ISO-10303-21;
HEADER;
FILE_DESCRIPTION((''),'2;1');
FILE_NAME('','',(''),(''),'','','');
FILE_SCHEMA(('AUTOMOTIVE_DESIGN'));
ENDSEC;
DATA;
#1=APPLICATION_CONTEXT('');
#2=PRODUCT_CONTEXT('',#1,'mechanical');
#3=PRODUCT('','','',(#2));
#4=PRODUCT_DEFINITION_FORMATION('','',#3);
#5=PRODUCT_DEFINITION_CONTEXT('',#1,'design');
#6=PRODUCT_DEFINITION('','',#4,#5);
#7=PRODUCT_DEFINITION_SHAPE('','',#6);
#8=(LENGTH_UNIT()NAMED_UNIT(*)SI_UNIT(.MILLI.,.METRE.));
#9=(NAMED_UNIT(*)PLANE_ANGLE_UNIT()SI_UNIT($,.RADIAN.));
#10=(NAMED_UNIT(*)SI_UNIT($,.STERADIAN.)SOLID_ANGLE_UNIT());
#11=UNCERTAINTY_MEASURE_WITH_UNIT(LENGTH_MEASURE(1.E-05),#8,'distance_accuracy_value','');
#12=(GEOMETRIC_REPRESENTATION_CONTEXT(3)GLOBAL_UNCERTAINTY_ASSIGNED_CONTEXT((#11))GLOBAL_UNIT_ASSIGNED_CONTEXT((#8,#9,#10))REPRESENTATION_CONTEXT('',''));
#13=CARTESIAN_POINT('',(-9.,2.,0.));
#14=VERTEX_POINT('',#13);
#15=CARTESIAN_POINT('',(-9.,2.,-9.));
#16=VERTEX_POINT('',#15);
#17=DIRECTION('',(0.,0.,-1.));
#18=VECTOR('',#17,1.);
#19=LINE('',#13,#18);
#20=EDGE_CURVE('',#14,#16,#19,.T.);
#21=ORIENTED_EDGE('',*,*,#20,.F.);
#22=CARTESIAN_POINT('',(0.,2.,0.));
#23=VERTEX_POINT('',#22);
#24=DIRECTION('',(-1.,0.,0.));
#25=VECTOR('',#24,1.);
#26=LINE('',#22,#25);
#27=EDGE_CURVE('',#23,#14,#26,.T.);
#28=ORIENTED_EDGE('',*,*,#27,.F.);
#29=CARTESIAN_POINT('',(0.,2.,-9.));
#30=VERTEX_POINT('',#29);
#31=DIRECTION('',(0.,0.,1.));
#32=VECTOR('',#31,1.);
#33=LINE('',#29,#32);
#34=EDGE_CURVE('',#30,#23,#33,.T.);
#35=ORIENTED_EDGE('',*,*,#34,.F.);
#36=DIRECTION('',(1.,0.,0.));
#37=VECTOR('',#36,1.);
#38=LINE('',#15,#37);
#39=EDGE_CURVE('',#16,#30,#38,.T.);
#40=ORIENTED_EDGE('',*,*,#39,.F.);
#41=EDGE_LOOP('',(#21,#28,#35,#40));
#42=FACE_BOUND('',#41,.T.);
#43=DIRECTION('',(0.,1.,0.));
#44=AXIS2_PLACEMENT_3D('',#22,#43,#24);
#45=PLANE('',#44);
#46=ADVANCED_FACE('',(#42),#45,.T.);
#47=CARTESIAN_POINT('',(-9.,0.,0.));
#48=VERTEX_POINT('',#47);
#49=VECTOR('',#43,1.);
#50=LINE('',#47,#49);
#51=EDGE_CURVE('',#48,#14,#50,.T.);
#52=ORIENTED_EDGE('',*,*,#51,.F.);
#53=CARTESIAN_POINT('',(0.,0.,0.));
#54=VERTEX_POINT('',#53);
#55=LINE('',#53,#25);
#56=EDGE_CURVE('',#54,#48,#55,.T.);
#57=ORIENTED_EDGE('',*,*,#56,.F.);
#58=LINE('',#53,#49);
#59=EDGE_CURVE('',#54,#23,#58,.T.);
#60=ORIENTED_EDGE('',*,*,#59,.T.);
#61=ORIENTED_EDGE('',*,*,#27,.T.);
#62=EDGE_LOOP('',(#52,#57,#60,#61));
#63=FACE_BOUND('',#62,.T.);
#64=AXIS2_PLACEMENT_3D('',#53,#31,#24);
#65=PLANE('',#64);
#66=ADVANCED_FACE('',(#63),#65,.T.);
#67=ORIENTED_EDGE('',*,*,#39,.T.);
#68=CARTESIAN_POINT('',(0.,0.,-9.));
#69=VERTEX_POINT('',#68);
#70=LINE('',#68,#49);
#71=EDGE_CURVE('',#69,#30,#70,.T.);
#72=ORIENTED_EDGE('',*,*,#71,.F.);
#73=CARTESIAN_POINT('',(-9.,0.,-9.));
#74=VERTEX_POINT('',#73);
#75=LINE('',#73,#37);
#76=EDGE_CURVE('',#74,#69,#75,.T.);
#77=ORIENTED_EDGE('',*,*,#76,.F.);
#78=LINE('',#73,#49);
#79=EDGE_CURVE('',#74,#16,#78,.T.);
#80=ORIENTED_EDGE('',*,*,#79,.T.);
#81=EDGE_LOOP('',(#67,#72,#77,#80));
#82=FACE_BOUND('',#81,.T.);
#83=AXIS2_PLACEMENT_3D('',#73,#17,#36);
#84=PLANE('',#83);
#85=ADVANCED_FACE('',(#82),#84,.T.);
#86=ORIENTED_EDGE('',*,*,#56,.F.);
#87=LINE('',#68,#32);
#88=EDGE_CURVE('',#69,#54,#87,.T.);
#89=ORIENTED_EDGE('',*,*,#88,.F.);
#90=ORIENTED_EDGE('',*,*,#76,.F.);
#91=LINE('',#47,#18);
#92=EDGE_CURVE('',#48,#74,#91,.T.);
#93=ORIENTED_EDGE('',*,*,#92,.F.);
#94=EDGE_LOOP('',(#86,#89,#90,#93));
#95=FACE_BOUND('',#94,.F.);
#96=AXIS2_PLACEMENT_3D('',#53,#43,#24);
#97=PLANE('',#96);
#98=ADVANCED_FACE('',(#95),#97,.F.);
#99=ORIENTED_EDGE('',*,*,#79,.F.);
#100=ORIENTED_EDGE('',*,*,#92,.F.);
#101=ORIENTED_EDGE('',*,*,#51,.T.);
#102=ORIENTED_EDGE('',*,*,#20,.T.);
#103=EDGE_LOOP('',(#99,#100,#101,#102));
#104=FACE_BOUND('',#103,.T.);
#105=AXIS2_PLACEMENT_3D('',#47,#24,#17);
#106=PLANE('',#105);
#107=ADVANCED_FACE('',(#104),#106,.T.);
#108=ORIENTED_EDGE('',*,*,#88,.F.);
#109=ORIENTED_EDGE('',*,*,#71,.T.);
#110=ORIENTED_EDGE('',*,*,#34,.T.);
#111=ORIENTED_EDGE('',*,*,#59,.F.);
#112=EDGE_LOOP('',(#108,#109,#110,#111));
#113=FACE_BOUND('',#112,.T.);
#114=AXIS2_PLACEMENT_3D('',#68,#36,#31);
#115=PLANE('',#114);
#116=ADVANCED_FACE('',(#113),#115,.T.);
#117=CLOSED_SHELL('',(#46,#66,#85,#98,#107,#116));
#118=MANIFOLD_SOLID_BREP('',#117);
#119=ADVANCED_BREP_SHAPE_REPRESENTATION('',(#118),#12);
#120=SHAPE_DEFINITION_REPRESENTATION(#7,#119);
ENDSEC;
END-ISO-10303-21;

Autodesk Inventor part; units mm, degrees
ref_plane "YZ Plane" through (0, 0, 0) normal (1, 0, 0) x (0, 1, 0)
ref_plane "XZ Plane" through (0, 0, 0) normal (0, 1, 0) x (-1, 0, 0)
ref_plane "XY Plane" through (0, 0, 0) normal (0, 0, 1) x (1, 0, 0)
sketch "Sketch1" plane through (0, 0, 0) normal (0, 1, 0) x (-1, 0, 0)
  line L0 (0, 0) -> (9, 0)
  line L1 (9, 0) -> (9, -9)
  line L2 (9, -9) -> (0, -9)
  line L3 (0, -9) -> (0, 0)
  dimension "d0" = 9
  dimension "d1" = 9
extrude "Extrusion1" add sketch "Sketch1" along normal blind 2
properties part number "punta_blanda"
